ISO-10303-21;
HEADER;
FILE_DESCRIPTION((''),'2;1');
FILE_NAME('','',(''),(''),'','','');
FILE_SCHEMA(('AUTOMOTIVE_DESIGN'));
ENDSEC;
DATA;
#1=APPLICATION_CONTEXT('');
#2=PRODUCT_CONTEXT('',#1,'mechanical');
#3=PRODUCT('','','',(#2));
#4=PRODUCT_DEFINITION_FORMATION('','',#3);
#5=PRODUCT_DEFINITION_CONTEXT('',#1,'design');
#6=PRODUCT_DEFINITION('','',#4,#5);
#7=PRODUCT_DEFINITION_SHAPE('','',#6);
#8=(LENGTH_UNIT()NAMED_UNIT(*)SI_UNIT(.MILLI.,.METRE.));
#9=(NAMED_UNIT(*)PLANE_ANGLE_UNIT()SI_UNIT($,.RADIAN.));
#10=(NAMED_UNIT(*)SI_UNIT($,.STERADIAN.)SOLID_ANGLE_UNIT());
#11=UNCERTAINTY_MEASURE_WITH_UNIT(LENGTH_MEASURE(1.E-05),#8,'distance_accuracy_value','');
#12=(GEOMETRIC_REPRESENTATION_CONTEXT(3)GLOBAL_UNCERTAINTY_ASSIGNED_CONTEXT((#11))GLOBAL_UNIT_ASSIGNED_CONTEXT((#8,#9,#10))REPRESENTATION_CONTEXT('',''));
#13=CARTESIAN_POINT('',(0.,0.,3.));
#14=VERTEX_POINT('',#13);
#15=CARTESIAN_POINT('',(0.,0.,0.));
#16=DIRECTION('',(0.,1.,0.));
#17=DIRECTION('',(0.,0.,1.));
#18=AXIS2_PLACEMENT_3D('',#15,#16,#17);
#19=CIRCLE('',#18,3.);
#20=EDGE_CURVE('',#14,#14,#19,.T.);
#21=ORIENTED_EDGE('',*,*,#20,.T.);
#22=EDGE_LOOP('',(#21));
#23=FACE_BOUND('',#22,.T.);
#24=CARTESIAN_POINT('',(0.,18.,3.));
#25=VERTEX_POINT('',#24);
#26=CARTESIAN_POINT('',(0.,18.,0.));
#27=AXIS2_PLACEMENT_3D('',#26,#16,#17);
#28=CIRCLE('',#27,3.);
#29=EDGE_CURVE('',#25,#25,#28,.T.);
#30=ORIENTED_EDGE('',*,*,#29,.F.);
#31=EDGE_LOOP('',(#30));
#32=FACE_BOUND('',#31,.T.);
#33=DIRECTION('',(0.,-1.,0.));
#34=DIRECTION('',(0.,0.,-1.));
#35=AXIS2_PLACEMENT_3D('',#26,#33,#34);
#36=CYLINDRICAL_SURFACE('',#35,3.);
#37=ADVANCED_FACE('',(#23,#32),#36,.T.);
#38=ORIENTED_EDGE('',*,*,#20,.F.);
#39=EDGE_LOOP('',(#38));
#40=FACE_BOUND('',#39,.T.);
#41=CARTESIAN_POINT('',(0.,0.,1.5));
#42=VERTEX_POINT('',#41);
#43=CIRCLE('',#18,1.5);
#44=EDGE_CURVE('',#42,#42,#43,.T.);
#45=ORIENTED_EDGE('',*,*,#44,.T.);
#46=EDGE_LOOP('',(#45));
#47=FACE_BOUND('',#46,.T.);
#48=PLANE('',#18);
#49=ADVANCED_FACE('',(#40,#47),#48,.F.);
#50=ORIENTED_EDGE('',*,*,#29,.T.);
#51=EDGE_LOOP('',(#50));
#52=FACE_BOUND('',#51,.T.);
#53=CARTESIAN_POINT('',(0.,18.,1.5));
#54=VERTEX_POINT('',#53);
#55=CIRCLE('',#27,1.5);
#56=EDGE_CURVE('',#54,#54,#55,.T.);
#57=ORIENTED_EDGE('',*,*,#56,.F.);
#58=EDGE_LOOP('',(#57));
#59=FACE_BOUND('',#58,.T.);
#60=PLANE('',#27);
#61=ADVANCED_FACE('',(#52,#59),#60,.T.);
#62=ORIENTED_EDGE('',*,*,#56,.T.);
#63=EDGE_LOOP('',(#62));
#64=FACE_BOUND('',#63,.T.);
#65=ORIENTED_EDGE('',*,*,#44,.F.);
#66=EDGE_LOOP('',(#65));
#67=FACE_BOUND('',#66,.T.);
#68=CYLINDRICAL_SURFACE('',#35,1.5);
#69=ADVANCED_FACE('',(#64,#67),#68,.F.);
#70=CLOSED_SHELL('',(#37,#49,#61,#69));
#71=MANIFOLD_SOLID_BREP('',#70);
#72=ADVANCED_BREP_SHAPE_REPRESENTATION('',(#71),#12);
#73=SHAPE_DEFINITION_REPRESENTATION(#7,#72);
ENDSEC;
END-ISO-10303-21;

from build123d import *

# Parameters (mm, degrees)
ESQUISSE1_R        = 3
ESQUISSE1_R_2      = 1.5
BOSS_EXTRU_1_DEPTH = 18


with BuildPart() as part:
    # Esquisse1 → Boss.-Extru.1 (new body)
    with BuildSketch(Plane(origin=(0, 0, 0), x_dir=(1, 0, 0), z_dir=(0, 1, 0))):
        Circle(ESQUISSE1_R)
        Circle(ESQUISSE1_R_2, mode=Mode.SUBTRACT)
    extrude(amount=BOSS_EXTRU_1_DEPTH)


solid = part.part
